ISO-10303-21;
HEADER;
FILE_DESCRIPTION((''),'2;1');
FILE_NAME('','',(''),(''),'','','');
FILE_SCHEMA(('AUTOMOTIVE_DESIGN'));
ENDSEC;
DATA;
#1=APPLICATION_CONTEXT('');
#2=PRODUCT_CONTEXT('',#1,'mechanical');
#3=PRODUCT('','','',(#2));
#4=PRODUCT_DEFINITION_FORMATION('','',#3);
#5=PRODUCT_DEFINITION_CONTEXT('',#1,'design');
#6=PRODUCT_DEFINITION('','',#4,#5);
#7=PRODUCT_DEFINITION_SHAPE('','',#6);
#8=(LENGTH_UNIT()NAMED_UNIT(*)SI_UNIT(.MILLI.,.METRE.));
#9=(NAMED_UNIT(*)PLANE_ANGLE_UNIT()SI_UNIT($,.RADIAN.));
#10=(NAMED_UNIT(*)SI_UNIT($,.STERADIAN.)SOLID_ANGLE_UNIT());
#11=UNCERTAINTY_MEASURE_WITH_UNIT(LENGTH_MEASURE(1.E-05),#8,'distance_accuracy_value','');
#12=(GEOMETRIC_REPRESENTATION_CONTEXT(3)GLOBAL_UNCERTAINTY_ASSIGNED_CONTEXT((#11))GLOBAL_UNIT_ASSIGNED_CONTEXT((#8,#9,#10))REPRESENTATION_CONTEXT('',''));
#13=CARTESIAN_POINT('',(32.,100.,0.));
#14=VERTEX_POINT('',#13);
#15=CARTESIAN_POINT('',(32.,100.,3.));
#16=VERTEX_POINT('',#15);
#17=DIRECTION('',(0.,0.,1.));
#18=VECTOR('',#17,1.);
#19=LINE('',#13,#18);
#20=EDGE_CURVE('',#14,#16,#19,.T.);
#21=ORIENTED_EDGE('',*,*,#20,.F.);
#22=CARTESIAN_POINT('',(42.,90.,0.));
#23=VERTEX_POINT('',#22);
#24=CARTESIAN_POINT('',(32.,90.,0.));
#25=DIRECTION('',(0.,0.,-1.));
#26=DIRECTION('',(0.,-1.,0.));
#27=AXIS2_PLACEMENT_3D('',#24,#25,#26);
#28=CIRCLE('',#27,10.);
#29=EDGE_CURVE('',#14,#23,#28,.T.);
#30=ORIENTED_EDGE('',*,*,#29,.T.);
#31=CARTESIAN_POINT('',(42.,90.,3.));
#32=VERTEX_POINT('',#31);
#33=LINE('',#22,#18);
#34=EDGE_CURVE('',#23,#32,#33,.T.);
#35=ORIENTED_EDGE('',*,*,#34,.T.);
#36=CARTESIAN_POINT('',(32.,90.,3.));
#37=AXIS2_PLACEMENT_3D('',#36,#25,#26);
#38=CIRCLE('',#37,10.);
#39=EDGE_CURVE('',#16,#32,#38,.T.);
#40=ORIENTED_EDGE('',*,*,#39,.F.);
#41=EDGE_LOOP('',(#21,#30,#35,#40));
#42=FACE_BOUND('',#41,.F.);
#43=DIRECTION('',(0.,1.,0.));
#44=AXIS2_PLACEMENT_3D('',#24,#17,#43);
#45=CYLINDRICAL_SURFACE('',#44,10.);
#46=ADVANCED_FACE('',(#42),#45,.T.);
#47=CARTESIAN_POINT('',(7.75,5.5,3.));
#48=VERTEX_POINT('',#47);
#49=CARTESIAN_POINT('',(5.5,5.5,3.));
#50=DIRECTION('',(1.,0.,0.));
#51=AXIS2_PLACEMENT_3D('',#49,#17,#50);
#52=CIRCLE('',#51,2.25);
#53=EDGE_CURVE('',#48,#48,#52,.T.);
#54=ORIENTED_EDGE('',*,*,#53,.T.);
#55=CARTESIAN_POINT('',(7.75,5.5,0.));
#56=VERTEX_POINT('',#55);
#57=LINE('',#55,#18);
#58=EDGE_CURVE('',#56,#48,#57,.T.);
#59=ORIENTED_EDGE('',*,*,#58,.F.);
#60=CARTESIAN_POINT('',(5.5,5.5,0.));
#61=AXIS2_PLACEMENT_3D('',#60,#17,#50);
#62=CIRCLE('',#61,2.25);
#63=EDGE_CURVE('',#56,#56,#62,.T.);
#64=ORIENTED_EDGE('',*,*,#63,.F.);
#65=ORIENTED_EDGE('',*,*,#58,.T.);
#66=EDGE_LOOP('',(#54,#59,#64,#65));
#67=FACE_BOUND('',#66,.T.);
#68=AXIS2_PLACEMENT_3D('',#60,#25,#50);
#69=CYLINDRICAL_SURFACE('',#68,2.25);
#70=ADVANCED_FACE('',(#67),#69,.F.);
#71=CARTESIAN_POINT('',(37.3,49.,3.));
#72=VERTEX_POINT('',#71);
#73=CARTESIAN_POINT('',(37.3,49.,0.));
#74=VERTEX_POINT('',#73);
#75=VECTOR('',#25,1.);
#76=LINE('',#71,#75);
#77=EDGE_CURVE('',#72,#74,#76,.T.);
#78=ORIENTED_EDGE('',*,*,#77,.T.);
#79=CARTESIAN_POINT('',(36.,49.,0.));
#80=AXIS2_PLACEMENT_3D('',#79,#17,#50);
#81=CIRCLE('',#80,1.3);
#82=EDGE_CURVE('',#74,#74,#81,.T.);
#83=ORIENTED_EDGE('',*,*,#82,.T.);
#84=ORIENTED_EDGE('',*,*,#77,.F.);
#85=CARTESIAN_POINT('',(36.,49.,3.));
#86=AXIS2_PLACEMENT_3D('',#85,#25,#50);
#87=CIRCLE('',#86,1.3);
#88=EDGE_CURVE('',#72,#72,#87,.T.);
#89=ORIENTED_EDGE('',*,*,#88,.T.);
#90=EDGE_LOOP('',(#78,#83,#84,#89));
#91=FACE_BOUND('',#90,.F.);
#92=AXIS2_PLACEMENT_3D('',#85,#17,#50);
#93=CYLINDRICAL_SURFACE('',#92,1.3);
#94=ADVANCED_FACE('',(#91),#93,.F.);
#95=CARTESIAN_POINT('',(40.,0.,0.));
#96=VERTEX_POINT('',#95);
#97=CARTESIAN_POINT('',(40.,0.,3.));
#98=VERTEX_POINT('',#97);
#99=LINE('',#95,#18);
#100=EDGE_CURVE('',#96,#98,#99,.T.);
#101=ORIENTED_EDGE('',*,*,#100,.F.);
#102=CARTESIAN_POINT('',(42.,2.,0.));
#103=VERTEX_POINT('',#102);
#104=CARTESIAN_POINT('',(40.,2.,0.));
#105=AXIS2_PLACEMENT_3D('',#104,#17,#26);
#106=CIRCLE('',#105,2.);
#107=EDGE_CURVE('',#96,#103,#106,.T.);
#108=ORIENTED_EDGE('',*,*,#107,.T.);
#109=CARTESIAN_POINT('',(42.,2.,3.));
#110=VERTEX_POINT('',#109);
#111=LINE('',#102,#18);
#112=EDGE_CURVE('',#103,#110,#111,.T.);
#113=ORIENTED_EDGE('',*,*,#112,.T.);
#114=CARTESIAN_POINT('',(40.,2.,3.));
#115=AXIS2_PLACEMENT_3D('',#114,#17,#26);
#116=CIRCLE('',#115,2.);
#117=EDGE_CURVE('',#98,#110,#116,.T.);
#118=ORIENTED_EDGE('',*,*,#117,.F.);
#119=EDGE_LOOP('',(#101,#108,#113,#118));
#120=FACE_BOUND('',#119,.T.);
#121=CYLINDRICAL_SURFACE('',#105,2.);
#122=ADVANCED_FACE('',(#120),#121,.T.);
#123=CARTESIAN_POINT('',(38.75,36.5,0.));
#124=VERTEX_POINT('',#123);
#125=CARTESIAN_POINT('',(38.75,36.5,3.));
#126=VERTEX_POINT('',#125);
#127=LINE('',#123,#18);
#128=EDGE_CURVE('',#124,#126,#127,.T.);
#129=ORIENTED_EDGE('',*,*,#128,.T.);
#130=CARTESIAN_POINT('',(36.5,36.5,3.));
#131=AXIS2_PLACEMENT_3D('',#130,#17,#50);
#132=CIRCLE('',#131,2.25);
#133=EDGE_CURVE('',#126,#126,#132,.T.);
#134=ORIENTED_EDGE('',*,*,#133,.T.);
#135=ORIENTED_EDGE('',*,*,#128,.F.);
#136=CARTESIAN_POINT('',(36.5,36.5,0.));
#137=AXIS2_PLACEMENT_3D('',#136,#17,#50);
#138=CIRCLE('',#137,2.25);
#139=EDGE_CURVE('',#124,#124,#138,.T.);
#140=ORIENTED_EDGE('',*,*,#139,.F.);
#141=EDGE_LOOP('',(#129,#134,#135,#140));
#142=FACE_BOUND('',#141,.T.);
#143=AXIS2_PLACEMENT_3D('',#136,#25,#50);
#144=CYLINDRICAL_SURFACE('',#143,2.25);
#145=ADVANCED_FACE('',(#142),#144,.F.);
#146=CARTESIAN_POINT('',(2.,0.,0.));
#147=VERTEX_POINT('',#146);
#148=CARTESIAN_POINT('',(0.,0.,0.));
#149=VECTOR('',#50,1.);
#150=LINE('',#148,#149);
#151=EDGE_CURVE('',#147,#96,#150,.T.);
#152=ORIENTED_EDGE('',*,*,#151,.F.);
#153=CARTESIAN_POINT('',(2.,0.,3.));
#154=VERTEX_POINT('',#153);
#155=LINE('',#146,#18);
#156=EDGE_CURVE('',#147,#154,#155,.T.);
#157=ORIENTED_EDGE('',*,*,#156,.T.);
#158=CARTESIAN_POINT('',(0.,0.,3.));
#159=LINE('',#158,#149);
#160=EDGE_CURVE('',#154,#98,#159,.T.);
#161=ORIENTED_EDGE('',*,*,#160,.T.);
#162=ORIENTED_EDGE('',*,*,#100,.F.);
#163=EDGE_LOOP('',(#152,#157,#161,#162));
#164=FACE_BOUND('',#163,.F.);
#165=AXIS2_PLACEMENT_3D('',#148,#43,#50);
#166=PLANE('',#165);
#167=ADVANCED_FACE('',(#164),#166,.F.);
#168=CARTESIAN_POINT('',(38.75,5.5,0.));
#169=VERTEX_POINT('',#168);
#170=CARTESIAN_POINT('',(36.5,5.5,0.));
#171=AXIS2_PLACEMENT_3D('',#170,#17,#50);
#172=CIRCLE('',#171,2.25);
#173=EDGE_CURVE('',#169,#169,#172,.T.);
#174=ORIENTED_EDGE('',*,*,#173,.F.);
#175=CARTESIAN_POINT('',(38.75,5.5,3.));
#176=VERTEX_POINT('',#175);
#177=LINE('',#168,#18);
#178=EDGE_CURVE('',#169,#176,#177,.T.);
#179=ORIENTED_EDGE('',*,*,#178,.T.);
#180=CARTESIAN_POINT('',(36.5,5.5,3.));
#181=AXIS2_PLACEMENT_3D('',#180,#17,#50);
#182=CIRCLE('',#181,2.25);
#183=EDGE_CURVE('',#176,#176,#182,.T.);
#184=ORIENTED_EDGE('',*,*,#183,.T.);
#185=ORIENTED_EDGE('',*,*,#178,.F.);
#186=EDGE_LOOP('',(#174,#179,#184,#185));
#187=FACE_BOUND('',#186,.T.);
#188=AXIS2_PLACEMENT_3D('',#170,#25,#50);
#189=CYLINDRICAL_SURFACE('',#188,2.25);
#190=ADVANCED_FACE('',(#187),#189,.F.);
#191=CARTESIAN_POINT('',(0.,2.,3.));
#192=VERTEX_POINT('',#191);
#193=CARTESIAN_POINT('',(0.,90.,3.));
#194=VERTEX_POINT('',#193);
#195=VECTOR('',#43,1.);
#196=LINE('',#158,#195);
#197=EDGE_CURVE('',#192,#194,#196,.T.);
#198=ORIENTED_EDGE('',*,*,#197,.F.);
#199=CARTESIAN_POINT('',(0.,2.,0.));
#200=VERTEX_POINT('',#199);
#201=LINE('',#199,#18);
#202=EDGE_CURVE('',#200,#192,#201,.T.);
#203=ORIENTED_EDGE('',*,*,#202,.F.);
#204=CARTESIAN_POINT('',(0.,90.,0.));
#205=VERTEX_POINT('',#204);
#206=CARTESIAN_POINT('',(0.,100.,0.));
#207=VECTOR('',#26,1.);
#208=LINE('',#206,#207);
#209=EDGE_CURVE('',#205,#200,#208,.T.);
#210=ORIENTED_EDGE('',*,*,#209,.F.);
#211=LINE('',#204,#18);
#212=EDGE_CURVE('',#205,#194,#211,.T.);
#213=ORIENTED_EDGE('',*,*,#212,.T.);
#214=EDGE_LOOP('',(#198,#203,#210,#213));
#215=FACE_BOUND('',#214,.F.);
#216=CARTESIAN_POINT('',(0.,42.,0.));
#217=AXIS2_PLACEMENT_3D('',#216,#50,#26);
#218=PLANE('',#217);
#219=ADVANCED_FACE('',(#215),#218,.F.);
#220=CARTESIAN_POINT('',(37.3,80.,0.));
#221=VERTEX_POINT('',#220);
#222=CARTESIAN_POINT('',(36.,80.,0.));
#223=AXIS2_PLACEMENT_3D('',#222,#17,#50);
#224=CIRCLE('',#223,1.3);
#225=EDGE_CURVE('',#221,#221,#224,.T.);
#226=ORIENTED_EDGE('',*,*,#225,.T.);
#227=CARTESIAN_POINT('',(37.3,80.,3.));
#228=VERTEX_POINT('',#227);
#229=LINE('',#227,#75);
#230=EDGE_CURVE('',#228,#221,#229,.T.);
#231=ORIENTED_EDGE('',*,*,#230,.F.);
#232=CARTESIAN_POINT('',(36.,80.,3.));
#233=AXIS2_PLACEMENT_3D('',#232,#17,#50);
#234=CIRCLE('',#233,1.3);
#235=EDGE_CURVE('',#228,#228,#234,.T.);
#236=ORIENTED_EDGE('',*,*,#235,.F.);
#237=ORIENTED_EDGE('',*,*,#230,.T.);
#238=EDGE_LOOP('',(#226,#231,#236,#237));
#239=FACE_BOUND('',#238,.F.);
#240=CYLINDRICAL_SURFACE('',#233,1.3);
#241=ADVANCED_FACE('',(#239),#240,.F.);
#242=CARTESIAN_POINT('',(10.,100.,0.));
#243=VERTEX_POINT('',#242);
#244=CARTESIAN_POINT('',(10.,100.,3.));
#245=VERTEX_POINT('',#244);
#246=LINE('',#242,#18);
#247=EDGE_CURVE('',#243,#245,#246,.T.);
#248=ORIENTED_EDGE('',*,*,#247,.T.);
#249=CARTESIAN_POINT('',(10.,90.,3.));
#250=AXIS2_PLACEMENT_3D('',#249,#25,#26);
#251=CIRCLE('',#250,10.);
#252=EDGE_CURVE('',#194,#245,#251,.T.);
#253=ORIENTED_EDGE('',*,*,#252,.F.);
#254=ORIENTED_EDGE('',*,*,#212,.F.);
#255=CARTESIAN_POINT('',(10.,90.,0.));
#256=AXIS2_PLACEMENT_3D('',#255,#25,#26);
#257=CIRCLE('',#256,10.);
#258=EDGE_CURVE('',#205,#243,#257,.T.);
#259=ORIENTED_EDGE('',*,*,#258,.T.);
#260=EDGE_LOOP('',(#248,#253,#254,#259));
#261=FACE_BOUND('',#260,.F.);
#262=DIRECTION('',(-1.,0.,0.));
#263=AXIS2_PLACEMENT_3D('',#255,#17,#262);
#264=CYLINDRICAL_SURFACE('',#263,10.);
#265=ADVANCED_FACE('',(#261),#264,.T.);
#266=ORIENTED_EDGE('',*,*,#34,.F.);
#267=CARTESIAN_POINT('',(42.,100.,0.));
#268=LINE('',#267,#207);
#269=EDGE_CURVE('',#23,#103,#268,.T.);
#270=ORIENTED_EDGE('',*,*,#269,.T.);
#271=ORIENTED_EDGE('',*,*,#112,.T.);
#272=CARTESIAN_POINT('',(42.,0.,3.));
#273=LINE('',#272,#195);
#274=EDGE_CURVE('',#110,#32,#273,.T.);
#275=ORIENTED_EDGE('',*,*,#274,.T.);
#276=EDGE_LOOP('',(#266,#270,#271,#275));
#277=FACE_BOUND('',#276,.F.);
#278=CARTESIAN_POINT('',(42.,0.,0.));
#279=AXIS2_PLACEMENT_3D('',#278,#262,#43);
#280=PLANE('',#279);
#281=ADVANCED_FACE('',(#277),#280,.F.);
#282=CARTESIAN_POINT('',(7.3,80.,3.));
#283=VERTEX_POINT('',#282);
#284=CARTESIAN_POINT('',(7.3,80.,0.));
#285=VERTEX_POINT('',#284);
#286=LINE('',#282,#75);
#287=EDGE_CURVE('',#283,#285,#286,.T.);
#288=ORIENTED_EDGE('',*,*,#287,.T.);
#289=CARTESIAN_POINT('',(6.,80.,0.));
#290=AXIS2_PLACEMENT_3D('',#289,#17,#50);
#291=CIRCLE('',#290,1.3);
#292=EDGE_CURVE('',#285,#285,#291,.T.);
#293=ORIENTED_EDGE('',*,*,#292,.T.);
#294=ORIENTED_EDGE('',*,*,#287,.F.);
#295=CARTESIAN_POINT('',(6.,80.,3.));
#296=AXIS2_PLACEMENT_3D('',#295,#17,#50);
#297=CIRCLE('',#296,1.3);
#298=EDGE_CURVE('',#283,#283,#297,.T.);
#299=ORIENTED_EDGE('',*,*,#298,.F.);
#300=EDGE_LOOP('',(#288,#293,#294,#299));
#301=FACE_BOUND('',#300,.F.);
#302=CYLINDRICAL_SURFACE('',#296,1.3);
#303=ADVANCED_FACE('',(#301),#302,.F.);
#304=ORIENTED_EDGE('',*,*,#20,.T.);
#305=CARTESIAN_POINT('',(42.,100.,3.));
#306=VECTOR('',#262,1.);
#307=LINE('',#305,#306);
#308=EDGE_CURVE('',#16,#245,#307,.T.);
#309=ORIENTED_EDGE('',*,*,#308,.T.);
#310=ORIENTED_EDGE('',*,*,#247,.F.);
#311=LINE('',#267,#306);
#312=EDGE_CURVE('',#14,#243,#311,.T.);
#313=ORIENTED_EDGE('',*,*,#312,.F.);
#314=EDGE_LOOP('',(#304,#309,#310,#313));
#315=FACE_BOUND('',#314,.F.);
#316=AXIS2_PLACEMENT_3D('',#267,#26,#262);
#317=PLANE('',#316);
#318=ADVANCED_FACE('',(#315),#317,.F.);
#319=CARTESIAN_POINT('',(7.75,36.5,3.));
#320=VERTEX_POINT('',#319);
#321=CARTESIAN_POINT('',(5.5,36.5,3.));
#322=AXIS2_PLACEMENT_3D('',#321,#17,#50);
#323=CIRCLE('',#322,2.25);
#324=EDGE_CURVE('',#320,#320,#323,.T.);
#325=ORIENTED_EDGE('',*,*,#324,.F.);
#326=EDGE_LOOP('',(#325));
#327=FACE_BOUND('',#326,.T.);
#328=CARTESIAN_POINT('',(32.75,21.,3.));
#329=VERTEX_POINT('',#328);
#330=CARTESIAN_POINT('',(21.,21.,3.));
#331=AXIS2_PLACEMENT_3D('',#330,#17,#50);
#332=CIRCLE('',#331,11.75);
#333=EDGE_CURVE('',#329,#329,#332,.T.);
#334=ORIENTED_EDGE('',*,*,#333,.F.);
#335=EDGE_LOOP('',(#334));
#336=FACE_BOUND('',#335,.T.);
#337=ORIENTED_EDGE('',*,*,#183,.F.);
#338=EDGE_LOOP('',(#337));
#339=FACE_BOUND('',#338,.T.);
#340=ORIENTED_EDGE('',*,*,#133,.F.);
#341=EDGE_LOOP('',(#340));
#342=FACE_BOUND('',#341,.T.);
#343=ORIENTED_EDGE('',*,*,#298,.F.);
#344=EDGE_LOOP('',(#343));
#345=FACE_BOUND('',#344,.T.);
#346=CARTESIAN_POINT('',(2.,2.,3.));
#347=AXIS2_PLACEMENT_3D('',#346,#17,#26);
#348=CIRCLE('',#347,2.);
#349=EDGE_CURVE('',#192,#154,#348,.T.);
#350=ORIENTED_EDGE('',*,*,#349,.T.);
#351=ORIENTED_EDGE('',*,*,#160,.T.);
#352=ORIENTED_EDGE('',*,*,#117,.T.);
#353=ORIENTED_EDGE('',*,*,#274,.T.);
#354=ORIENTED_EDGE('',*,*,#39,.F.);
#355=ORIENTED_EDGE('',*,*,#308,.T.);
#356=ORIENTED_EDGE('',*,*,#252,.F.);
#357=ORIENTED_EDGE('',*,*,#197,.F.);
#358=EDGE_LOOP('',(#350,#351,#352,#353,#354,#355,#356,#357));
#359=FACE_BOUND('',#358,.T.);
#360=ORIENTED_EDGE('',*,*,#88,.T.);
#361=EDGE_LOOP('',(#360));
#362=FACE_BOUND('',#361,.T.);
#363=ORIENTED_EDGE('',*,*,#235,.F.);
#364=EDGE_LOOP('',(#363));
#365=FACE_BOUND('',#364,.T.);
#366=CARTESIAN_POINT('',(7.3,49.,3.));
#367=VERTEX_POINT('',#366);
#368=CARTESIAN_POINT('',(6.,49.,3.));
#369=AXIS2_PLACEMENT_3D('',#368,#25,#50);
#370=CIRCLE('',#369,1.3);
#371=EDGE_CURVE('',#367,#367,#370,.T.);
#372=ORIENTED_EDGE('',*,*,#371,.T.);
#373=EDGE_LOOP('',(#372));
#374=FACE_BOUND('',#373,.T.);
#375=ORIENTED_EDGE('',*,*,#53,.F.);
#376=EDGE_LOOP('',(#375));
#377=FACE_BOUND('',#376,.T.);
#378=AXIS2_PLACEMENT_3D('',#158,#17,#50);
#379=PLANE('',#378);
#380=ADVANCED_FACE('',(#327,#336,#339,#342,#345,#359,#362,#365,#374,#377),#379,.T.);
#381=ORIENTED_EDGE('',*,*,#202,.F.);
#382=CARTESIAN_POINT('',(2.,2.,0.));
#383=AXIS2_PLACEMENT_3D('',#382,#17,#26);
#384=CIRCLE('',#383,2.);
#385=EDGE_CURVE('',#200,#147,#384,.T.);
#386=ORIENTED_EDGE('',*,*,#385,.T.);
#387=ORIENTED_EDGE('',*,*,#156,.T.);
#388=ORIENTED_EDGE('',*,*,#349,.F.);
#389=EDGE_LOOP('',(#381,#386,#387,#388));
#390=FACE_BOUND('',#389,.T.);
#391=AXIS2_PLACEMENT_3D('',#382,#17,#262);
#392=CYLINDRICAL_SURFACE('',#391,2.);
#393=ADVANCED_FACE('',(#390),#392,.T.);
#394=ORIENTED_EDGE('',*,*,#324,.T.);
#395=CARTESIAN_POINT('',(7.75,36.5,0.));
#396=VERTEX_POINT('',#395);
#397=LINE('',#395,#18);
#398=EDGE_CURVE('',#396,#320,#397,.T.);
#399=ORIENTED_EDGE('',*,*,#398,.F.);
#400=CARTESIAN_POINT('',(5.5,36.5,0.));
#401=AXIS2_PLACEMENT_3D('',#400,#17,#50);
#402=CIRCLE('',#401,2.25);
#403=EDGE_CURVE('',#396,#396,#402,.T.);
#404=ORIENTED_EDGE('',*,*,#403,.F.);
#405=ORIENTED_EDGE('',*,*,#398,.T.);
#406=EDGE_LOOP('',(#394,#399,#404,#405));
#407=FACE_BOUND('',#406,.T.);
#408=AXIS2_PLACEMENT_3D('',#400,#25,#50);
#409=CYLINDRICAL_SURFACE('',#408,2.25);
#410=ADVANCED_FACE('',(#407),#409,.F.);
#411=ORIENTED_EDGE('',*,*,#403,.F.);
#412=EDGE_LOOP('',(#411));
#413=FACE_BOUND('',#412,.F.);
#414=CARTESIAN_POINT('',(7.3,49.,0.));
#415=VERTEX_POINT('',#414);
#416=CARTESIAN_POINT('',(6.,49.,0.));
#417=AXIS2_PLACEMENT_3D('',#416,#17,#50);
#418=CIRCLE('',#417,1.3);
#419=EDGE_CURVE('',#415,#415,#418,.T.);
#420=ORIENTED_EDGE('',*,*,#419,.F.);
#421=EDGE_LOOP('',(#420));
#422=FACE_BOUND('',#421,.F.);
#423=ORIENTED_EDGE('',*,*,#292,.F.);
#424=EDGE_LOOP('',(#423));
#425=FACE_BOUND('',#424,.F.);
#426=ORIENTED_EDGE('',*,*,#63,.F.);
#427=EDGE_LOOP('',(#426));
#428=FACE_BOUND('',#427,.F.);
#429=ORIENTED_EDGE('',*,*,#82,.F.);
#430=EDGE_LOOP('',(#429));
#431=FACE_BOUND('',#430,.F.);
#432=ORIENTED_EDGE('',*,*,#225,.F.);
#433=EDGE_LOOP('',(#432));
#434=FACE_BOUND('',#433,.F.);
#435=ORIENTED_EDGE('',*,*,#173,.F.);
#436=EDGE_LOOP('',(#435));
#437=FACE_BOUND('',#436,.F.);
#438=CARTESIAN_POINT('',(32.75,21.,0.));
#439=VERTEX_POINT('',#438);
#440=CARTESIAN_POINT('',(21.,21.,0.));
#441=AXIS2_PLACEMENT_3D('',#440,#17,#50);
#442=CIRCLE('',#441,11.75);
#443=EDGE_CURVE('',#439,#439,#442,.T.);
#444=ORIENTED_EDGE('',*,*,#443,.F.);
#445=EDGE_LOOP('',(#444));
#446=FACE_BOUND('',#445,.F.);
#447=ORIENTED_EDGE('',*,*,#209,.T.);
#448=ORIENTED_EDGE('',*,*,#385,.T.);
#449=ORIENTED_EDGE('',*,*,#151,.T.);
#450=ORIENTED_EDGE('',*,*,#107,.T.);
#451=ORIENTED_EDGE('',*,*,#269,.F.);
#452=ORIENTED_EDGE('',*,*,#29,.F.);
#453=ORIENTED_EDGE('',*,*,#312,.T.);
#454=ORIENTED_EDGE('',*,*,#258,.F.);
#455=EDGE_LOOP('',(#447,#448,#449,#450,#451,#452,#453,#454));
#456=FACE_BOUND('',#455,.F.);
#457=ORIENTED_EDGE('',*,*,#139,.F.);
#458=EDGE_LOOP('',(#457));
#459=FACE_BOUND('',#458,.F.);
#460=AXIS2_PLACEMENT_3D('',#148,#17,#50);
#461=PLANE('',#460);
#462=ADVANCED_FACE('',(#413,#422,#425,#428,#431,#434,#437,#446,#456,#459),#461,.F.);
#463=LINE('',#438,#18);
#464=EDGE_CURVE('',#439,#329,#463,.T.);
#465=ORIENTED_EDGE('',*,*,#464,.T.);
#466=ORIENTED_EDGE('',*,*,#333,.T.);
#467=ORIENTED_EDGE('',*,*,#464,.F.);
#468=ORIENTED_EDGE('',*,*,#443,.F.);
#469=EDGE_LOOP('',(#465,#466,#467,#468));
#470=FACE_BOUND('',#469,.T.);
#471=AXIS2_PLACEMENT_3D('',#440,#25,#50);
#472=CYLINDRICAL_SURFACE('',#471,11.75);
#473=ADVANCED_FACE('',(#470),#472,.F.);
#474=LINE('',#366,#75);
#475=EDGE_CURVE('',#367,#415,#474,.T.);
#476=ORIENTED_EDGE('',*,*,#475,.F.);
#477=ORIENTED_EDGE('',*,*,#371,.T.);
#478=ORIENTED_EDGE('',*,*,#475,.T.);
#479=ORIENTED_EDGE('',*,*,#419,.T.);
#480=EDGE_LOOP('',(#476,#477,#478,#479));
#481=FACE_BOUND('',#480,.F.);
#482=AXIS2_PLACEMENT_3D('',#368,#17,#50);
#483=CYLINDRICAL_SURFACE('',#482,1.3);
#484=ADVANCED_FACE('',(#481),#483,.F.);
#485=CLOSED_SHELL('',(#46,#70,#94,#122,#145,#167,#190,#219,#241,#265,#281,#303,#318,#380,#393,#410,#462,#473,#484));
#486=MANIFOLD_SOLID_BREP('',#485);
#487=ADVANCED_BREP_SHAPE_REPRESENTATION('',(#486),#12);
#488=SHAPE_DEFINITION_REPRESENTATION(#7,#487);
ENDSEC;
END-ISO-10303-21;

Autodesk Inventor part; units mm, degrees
ref_plane "YZ Plane" through (0, 0, 0) normal (1, 0, 0) x (0, 1, 0)
ref_plane "XZ Plane" through (0, 0, 0) normal (0, 1, 0) x (-1, 0, 0)
ref_plane "XY Plane" through (0, 0, 0) normal (0, 0, 1) x (1, 0, 0)
sketch "スケッチ1" plane through (0, 0, 0) normal (0, 0, 1) x (1, 0, 0)
  line L0 (0, 0) -> (42, 0)
  line L1 (42, 0) -> (42, 100)
  line L2 (42, 100) -> (0, 100)
  line L3 (0, 100) -> (0, 0)
  line L4 (0, 42) -> (42, 42)
  circle A0 centre (5.5, 36.5) radius 2.25
  circle A1 centre (36.5, 36.5) radius 2.25
  circle A2 centre (5.5, 5.5) radius 2.25
  circle A3 centre (36.5, 5.5) radius 2.25
  circle A4 centre (21, 21) radius 11.75
  dimension "d0" = 42
  dimension "d1" = 100
  dimension "d2" = 42
  dimension "d3" = 5.5
  dimension "d4" = 5.5
  dimension "d5" = 5.5
  dimension "d6" = 5.5
  dimension "d7" = 4.5
  dimension "d8" = 4.5
  dimension "d9" = 4.5
  dimension "d10" = 4.5
  dimension "d11" = 23.5
extrude "押し出し1" add sketch "スケッチ1" along normal blind 3
fillet "フィレット1" radius 2 2 edges at (42, 0, 1.5) (0, 0, 1.5)
fillet "フィレット2" radius 10 2 edges at (0, 100, 1.5) (42, 100, 1.5)
sketch "スケッチ2" plane through (0, 0, 3) normal (0, 0, 1) x (1, 0, 0)
  line L0 (0, 90) -> (0, 2) projected
  line L1 (0, 46) -> (42, 46)
  line L2 (42, 2) -> (42, 90) projected
  line L3 (0, 52) -> (42, 52)
  line L4 (6, 52) -> (6, 46)
  line L5 (36, 52) -> (36, 46)
  circle A0 centre (6, 49) radius 1.3
  circle A1 centre (36, 49) radius 1.3
  point P0 (0, 0)
  dimension "d16" = 6
  dimension "d17" = 6
  dimension "d18" = 6
  dimension "d19" = 2.6
  dimension "d20" = 2.6
extrude "押し出し2" cut sketch "スケッチ2" against normal blind 3 contours A0 L4 | L4 A0 | A1 L5 | L5 A1
sketch "スケッチ3" plane through (0, 0, 3) normal (0, 0, 1) x (1, 0, 0)
  line L0 (0, 90) -> (0, 2)
  line L1 (0, 46) -> (42, 46)
  line L2 (42, 2) -> (42, 90)
  line L3 (0, 52) -> (42, 52)
  line L4 (6, 52) -> (6, 46)
  line L5 (36, 52) -> (36, 46)
  circle A0 centre (6, 49) radius 1.3
  circle A1 centre (36, 49) radius 1.3
  line L6 (0, 90) -> (0, 2) projected
  line L7 (0, 77) -> (42, 77)
  line L8 (42, 2) -> (42, 90) projected
  line L9 (0, 83) -> (42, 83)
  circle A2 centre (6, 80) radius 1.3
  circle A3 centre (36, 80) radius 1.3
  point P0 (0, 0)
  point P1 (0, 0)
  dimension "d23" = 6
  dimension "d24" = 6
  dimension "d25" = 6
  dimension "d26" = 2.6
  dimension "d27" = 2.6
  dimension "d28" = 25
  dimension "d29" = 6
  dimension "d30" = 2.6
  dimension "d31" = 3
  dimension "d32" = 2.6
extrude "押し出し3" cut sketch "スケッチ3" against normal blind 10 contours A2 | A3
